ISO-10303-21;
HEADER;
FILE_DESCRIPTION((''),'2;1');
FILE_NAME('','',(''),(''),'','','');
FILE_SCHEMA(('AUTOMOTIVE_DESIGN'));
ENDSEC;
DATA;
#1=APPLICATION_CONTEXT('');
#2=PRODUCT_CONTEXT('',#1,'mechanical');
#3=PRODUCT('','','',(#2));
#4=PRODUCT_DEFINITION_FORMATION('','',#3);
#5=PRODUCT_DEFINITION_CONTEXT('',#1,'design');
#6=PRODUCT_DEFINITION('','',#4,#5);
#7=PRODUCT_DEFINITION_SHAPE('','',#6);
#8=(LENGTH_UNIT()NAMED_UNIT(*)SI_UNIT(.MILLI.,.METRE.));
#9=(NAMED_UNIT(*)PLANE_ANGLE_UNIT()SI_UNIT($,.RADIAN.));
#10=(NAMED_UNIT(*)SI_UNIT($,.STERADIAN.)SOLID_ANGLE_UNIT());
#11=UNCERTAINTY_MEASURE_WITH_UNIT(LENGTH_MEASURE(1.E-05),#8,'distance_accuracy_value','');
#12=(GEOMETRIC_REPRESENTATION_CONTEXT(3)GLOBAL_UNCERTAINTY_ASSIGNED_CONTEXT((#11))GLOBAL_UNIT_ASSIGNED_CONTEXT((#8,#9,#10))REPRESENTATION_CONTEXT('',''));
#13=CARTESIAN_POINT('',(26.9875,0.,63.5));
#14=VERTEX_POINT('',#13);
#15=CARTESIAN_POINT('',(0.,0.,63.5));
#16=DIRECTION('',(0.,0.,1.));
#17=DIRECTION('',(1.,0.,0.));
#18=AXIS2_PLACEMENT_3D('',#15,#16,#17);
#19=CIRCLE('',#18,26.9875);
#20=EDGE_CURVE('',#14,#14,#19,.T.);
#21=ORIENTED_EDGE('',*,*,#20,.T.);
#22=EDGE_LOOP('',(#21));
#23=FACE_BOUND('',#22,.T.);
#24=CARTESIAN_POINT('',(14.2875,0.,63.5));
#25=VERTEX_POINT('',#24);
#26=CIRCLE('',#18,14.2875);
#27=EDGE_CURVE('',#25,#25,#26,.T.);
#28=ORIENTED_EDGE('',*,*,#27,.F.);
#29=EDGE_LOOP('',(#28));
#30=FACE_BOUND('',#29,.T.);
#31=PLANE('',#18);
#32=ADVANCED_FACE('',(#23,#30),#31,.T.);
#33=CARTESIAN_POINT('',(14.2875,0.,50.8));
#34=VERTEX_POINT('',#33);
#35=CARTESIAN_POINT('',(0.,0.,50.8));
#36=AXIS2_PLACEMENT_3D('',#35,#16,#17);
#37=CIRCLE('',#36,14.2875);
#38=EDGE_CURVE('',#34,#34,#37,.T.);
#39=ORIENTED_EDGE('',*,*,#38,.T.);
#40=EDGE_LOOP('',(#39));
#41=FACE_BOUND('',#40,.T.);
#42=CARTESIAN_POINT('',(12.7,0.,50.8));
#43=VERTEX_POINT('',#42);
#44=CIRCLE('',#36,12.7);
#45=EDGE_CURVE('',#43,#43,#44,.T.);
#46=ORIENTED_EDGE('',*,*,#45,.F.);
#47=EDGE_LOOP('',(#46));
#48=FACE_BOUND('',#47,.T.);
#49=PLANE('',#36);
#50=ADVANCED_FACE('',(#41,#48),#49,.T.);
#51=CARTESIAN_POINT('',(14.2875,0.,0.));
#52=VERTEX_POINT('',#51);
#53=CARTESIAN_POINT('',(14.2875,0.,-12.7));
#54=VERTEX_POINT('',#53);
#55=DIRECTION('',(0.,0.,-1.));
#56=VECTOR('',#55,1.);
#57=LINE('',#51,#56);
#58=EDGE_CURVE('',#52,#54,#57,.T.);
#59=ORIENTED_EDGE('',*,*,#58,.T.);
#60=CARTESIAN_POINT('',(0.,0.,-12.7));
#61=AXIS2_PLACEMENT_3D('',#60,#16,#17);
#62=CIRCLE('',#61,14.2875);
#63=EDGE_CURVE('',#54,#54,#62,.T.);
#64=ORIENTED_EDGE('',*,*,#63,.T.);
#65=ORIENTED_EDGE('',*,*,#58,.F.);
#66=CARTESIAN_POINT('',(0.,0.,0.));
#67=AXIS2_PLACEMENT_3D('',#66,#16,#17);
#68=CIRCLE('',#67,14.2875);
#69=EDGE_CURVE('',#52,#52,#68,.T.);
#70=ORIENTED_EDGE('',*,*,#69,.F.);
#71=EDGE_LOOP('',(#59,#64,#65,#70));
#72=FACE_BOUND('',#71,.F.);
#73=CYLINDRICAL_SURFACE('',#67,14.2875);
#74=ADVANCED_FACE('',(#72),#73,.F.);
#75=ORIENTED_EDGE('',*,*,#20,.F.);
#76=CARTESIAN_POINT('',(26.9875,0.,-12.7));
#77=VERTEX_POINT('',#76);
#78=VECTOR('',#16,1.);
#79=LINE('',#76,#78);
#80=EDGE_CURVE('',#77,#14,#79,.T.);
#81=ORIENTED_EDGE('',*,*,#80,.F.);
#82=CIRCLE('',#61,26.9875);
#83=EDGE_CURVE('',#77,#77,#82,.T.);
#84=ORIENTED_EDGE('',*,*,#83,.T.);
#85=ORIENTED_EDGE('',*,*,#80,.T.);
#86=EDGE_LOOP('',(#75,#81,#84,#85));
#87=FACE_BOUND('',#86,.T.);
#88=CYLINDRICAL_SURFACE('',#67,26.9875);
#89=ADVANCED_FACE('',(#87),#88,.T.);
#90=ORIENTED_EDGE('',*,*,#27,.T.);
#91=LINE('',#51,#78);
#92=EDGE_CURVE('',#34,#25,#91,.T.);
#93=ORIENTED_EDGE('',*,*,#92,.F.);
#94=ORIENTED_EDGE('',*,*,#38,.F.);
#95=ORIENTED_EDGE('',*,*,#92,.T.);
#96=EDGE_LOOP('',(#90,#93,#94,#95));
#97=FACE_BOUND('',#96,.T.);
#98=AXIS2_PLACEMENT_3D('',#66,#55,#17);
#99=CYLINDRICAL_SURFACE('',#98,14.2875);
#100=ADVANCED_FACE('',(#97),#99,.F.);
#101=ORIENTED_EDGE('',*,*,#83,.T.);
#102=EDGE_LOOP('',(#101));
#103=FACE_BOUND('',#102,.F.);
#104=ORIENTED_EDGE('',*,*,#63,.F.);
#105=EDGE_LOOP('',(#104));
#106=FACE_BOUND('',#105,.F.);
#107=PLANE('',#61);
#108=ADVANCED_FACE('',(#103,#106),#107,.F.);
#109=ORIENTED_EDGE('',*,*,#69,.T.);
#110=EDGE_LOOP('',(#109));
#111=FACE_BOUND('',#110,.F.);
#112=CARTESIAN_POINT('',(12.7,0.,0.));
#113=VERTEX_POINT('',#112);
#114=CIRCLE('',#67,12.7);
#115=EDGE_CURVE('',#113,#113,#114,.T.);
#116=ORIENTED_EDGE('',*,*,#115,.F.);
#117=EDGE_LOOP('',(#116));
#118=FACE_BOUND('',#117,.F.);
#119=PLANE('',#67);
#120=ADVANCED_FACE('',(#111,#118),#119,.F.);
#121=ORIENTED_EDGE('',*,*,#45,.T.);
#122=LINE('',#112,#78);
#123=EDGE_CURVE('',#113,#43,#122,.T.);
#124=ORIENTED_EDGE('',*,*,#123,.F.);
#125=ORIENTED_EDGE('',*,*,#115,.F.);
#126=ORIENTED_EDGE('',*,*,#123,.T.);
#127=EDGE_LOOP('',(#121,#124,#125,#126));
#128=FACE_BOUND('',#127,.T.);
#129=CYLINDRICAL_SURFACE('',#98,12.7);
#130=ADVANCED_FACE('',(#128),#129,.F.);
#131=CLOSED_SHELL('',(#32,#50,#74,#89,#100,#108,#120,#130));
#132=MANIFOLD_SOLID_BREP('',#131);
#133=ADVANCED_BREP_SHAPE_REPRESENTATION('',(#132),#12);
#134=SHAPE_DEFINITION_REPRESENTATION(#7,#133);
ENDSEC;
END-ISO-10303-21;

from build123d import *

# Parameters (mm, degrees)
F0_R          = 14.2875
F0_R_2        = 12.7
F2_DEPTH      = 50.8
F3_R          = 26.9875
F3_R_2        = 14.2875
F4_DEPTH      = 63.5
F4_DEPTH_BACK = 12.7


with BuildPart() as f2:
    # F0 (on Top) → F2 (new body)
    with BuildSketch(Plane.XY):
        Circle(F0_R)
        Circle(F0_R_2, mode=Mode.SUBTRACT)
    extrude(amount=F2_DEPTH)

    # F3 (on face) → F4 (join, two sides)
    with BuildSketch(Plane.XY) as f4_sk:
        Circle(F3_R)
        Circle(F3_R_2, mode=Mode.SUBTRACT)
    extrude(amount=F4_DEPTH)
    extrude(f4_sk.sketch, amount=-F4_DEPTH_BACK)


solid = f2.part
